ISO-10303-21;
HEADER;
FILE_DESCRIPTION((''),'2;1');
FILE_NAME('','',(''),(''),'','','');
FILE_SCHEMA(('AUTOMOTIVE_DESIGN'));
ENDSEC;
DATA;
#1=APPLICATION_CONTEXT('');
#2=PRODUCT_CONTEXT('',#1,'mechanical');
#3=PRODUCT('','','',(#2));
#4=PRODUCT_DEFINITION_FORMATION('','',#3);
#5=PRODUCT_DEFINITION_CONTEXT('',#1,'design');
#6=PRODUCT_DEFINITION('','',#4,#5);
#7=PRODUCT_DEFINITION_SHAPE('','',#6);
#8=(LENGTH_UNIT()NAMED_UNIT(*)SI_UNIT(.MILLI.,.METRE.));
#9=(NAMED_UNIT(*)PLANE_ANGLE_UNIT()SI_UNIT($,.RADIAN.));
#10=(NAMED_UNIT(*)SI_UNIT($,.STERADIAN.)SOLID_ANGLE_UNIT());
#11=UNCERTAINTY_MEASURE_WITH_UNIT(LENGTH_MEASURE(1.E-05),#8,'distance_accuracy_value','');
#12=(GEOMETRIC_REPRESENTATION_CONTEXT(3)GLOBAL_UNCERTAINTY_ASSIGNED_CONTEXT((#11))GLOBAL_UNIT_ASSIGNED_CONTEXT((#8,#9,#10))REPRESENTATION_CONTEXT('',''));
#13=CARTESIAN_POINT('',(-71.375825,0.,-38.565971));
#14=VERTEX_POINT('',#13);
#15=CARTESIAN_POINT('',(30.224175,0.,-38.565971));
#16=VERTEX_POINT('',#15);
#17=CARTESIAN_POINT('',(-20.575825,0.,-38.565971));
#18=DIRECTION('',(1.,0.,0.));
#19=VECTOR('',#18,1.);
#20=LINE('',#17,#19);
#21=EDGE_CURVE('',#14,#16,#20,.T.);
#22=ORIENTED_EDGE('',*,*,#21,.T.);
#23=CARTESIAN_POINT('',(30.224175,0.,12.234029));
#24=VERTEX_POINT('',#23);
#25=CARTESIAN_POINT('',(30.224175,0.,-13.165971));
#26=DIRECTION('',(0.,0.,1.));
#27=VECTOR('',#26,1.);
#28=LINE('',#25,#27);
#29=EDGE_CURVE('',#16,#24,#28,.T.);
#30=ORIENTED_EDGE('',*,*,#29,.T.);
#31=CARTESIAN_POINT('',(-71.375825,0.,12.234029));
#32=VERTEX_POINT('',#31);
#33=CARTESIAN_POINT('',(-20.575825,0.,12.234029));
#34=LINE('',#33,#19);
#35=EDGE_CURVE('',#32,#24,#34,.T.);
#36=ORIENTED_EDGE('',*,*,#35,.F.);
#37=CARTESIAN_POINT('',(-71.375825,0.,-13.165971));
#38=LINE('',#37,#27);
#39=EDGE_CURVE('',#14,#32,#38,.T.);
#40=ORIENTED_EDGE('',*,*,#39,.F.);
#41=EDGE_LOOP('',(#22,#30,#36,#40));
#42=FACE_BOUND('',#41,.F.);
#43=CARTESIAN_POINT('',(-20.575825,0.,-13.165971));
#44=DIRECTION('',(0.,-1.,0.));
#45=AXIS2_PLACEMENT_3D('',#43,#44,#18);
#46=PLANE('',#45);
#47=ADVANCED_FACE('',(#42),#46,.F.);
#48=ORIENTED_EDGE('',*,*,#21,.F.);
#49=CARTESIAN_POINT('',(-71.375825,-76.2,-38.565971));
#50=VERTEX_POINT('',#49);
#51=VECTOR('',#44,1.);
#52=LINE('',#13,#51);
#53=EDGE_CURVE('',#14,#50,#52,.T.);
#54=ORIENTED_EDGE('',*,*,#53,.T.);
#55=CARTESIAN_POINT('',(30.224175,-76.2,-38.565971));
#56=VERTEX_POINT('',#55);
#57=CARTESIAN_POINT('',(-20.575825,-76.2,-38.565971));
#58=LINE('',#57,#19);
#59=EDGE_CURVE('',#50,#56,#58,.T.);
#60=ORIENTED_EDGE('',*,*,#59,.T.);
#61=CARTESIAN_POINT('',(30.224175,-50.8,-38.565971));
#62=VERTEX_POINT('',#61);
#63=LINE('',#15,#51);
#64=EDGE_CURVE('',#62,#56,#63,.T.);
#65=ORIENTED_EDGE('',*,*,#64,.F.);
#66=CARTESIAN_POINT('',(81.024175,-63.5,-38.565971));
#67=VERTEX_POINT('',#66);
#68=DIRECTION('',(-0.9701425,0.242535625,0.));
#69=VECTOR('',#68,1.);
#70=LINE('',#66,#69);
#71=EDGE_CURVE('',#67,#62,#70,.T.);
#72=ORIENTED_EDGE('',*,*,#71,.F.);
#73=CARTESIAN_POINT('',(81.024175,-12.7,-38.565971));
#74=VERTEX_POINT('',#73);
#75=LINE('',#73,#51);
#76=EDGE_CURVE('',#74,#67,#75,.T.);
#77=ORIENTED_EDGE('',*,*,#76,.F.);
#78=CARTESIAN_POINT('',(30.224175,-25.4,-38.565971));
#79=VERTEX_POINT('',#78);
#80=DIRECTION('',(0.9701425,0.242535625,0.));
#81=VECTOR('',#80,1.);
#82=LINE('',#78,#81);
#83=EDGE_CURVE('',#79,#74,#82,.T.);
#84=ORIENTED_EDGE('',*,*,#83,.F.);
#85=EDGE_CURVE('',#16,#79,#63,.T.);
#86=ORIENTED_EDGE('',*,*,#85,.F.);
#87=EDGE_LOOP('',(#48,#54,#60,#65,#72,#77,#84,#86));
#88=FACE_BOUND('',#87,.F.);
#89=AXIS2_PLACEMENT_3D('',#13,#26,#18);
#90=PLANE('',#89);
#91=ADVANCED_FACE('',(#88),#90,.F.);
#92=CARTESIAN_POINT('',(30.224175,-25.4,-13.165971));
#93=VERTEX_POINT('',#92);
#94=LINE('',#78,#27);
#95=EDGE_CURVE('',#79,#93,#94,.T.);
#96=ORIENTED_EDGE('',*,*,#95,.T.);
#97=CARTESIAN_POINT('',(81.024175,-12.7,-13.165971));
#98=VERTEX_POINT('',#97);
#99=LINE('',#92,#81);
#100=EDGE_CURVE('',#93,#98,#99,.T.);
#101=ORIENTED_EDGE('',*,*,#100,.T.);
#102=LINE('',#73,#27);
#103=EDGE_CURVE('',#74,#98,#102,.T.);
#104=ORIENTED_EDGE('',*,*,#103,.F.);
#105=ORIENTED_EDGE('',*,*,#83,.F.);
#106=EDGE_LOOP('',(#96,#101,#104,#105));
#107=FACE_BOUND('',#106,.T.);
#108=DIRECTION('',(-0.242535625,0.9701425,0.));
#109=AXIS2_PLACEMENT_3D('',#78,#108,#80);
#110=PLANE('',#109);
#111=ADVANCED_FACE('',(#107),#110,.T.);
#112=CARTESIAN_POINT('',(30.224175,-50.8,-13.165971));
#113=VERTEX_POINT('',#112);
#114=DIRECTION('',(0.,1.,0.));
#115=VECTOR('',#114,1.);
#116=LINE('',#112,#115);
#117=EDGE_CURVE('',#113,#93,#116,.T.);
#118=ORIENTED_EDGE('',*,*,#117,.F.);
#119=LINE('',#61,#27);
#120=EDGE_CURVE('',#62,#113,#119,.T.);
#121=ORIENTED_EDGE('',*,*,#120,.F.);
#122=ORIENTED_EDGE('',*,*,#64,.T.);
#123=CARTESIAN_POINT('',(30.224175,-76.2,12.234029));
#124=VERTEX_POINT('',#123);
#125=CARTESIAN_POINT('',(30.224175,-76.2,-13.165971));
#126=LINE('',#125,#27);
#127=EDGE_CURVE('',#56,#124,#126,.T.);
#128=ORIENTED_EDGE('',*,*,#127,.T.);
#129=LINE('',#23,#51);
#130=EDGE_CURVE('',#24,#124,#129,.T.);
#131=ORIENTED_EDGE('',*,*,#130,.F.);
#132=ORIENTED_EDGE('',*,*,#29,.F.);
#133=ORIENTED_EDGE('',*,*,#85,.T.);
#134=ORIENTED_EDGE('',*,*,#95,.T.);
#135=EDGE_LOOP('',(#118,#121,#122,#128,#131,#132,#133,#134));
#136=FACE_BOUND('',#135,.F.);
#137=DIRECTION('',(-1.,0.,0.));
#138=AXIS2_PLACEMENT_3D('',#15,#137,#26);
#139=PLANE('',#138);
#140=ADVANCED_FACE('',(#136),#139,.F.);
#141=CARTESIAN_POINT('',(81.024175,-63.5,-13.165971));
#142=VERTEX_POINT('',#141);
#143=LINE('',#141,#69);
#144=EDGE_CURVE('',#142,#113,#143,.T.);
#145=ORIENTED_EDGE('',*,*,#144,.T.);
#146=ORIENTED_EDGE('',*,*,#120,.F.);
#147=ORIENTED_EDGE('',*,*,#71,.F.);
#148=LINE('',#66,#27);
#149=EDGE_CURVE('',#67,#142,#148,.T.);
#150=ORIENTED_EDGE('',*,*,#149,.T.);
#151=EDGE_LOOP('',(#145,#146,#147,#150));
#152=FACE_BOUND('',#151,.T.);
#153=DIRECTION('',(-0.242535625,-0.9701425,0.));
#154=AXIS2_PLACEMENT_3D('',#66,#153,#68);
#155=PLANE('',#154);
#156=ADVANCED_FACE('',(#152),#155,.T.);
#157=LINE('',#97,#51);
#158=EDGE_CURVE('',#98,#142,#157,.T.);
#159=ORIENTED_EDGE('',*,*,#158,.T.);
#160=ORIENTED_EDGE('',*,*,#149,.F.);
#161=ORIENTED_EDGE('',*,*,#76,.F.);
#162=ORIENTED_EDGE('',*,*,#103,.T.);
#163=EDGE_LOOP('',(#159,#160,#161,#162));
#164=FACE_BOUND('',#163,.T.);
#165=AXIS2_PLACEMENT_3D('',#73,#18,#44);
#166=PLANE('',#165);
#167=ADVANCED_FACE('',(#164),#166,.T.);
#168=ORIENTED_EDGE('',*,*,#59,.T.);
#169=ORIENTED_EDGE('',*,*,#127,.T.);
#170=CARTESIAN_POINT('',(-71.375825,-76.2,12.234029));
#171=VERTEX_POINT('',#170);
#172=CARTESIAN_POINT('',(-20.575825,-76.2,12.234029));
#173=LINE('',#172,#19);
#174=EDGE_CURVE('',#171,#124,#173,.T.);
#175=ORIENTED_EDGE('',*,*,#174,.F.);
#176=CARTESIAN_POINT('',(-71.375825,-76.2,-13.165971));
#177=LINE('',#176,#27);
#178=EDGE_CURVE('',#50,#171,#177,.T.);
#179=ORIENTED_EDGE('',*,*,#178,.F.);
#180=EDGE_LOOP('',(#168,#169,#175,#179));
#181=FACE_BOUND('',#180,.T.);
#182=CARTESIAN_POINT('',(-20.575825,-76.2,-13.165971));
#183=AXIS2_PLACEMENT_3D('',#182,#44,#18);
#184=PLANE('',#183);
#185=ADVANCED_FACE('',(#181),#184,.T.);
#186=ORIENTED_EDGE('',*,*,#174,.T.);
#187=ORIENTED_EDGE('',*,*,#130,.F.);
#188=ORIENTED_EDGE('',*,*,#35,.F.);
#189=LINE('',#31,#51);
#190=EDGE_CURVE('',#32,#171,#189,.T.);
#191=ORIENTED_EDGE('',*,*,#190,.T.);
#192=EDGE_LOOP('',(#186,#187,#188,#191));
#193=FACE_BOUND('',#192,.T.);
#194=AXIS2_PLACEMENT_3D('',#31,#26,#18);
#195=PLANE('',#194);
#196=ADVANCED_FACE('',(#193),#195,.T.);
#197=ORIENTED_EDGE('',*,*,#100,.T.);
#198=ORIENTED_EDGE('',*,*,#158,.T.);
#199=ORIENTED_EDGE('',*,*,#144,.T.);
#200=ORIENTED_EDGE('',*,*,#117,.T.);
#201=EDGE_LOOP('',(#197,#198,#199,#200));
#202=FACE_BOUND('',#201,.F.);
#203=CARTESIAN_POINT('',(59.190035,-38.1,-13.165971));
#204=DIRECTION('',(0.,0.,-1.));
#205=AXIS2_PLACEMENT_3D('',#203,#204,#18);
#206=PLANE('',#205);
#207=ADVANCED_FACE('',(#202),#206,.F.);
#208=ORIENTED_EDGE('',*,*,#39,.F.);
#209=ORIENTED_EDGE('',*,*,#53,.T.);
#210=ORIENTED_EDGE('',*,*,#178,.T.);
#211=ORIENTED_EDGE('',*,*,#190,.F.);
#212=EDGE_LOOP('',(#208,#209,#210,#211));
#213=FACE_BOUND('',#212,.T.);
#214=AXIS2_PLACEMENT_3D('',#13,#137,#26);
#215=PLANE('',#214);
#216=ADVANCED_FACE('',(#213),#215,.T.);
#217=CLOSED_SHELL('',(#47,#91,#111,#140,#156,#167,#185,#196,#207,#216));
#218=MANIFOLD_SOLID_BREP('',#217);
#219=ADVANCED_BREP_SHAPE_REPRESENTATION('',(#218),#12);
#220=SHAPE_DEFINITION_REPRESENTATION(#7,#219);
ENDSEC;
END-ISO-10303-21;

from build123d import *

# Parameters (mm, degrees)
F0_W     = 101.6
F0_H     = 50.8
F1_DEPTH = 76.2
F3_DEPTH = 25.4


with BuildPart() as f1:
    # F0 (on Front) → F1 (new body)
    with BuildSketch(Plane.XZ):
        with Locations((-20.575825, -13.165971)):
            Rectangle(F0_W, F0_H)
    extrude(amount=F1_DEPTH)

    # F2 (on face) → F3 (join)
    with BuildSketch(Plane(origin=(0, 0, -38.565971), x_dir=(1, 0, 0), z_dir=(0, 0, -1))):
        Polygon((81.024175, 63.5), (30.224175, 50.8), (30.224175, 25.4), (81.024175, 12.7), align=None)
    extrude(amount=-F3_DEPTH)


solid = f1.part
